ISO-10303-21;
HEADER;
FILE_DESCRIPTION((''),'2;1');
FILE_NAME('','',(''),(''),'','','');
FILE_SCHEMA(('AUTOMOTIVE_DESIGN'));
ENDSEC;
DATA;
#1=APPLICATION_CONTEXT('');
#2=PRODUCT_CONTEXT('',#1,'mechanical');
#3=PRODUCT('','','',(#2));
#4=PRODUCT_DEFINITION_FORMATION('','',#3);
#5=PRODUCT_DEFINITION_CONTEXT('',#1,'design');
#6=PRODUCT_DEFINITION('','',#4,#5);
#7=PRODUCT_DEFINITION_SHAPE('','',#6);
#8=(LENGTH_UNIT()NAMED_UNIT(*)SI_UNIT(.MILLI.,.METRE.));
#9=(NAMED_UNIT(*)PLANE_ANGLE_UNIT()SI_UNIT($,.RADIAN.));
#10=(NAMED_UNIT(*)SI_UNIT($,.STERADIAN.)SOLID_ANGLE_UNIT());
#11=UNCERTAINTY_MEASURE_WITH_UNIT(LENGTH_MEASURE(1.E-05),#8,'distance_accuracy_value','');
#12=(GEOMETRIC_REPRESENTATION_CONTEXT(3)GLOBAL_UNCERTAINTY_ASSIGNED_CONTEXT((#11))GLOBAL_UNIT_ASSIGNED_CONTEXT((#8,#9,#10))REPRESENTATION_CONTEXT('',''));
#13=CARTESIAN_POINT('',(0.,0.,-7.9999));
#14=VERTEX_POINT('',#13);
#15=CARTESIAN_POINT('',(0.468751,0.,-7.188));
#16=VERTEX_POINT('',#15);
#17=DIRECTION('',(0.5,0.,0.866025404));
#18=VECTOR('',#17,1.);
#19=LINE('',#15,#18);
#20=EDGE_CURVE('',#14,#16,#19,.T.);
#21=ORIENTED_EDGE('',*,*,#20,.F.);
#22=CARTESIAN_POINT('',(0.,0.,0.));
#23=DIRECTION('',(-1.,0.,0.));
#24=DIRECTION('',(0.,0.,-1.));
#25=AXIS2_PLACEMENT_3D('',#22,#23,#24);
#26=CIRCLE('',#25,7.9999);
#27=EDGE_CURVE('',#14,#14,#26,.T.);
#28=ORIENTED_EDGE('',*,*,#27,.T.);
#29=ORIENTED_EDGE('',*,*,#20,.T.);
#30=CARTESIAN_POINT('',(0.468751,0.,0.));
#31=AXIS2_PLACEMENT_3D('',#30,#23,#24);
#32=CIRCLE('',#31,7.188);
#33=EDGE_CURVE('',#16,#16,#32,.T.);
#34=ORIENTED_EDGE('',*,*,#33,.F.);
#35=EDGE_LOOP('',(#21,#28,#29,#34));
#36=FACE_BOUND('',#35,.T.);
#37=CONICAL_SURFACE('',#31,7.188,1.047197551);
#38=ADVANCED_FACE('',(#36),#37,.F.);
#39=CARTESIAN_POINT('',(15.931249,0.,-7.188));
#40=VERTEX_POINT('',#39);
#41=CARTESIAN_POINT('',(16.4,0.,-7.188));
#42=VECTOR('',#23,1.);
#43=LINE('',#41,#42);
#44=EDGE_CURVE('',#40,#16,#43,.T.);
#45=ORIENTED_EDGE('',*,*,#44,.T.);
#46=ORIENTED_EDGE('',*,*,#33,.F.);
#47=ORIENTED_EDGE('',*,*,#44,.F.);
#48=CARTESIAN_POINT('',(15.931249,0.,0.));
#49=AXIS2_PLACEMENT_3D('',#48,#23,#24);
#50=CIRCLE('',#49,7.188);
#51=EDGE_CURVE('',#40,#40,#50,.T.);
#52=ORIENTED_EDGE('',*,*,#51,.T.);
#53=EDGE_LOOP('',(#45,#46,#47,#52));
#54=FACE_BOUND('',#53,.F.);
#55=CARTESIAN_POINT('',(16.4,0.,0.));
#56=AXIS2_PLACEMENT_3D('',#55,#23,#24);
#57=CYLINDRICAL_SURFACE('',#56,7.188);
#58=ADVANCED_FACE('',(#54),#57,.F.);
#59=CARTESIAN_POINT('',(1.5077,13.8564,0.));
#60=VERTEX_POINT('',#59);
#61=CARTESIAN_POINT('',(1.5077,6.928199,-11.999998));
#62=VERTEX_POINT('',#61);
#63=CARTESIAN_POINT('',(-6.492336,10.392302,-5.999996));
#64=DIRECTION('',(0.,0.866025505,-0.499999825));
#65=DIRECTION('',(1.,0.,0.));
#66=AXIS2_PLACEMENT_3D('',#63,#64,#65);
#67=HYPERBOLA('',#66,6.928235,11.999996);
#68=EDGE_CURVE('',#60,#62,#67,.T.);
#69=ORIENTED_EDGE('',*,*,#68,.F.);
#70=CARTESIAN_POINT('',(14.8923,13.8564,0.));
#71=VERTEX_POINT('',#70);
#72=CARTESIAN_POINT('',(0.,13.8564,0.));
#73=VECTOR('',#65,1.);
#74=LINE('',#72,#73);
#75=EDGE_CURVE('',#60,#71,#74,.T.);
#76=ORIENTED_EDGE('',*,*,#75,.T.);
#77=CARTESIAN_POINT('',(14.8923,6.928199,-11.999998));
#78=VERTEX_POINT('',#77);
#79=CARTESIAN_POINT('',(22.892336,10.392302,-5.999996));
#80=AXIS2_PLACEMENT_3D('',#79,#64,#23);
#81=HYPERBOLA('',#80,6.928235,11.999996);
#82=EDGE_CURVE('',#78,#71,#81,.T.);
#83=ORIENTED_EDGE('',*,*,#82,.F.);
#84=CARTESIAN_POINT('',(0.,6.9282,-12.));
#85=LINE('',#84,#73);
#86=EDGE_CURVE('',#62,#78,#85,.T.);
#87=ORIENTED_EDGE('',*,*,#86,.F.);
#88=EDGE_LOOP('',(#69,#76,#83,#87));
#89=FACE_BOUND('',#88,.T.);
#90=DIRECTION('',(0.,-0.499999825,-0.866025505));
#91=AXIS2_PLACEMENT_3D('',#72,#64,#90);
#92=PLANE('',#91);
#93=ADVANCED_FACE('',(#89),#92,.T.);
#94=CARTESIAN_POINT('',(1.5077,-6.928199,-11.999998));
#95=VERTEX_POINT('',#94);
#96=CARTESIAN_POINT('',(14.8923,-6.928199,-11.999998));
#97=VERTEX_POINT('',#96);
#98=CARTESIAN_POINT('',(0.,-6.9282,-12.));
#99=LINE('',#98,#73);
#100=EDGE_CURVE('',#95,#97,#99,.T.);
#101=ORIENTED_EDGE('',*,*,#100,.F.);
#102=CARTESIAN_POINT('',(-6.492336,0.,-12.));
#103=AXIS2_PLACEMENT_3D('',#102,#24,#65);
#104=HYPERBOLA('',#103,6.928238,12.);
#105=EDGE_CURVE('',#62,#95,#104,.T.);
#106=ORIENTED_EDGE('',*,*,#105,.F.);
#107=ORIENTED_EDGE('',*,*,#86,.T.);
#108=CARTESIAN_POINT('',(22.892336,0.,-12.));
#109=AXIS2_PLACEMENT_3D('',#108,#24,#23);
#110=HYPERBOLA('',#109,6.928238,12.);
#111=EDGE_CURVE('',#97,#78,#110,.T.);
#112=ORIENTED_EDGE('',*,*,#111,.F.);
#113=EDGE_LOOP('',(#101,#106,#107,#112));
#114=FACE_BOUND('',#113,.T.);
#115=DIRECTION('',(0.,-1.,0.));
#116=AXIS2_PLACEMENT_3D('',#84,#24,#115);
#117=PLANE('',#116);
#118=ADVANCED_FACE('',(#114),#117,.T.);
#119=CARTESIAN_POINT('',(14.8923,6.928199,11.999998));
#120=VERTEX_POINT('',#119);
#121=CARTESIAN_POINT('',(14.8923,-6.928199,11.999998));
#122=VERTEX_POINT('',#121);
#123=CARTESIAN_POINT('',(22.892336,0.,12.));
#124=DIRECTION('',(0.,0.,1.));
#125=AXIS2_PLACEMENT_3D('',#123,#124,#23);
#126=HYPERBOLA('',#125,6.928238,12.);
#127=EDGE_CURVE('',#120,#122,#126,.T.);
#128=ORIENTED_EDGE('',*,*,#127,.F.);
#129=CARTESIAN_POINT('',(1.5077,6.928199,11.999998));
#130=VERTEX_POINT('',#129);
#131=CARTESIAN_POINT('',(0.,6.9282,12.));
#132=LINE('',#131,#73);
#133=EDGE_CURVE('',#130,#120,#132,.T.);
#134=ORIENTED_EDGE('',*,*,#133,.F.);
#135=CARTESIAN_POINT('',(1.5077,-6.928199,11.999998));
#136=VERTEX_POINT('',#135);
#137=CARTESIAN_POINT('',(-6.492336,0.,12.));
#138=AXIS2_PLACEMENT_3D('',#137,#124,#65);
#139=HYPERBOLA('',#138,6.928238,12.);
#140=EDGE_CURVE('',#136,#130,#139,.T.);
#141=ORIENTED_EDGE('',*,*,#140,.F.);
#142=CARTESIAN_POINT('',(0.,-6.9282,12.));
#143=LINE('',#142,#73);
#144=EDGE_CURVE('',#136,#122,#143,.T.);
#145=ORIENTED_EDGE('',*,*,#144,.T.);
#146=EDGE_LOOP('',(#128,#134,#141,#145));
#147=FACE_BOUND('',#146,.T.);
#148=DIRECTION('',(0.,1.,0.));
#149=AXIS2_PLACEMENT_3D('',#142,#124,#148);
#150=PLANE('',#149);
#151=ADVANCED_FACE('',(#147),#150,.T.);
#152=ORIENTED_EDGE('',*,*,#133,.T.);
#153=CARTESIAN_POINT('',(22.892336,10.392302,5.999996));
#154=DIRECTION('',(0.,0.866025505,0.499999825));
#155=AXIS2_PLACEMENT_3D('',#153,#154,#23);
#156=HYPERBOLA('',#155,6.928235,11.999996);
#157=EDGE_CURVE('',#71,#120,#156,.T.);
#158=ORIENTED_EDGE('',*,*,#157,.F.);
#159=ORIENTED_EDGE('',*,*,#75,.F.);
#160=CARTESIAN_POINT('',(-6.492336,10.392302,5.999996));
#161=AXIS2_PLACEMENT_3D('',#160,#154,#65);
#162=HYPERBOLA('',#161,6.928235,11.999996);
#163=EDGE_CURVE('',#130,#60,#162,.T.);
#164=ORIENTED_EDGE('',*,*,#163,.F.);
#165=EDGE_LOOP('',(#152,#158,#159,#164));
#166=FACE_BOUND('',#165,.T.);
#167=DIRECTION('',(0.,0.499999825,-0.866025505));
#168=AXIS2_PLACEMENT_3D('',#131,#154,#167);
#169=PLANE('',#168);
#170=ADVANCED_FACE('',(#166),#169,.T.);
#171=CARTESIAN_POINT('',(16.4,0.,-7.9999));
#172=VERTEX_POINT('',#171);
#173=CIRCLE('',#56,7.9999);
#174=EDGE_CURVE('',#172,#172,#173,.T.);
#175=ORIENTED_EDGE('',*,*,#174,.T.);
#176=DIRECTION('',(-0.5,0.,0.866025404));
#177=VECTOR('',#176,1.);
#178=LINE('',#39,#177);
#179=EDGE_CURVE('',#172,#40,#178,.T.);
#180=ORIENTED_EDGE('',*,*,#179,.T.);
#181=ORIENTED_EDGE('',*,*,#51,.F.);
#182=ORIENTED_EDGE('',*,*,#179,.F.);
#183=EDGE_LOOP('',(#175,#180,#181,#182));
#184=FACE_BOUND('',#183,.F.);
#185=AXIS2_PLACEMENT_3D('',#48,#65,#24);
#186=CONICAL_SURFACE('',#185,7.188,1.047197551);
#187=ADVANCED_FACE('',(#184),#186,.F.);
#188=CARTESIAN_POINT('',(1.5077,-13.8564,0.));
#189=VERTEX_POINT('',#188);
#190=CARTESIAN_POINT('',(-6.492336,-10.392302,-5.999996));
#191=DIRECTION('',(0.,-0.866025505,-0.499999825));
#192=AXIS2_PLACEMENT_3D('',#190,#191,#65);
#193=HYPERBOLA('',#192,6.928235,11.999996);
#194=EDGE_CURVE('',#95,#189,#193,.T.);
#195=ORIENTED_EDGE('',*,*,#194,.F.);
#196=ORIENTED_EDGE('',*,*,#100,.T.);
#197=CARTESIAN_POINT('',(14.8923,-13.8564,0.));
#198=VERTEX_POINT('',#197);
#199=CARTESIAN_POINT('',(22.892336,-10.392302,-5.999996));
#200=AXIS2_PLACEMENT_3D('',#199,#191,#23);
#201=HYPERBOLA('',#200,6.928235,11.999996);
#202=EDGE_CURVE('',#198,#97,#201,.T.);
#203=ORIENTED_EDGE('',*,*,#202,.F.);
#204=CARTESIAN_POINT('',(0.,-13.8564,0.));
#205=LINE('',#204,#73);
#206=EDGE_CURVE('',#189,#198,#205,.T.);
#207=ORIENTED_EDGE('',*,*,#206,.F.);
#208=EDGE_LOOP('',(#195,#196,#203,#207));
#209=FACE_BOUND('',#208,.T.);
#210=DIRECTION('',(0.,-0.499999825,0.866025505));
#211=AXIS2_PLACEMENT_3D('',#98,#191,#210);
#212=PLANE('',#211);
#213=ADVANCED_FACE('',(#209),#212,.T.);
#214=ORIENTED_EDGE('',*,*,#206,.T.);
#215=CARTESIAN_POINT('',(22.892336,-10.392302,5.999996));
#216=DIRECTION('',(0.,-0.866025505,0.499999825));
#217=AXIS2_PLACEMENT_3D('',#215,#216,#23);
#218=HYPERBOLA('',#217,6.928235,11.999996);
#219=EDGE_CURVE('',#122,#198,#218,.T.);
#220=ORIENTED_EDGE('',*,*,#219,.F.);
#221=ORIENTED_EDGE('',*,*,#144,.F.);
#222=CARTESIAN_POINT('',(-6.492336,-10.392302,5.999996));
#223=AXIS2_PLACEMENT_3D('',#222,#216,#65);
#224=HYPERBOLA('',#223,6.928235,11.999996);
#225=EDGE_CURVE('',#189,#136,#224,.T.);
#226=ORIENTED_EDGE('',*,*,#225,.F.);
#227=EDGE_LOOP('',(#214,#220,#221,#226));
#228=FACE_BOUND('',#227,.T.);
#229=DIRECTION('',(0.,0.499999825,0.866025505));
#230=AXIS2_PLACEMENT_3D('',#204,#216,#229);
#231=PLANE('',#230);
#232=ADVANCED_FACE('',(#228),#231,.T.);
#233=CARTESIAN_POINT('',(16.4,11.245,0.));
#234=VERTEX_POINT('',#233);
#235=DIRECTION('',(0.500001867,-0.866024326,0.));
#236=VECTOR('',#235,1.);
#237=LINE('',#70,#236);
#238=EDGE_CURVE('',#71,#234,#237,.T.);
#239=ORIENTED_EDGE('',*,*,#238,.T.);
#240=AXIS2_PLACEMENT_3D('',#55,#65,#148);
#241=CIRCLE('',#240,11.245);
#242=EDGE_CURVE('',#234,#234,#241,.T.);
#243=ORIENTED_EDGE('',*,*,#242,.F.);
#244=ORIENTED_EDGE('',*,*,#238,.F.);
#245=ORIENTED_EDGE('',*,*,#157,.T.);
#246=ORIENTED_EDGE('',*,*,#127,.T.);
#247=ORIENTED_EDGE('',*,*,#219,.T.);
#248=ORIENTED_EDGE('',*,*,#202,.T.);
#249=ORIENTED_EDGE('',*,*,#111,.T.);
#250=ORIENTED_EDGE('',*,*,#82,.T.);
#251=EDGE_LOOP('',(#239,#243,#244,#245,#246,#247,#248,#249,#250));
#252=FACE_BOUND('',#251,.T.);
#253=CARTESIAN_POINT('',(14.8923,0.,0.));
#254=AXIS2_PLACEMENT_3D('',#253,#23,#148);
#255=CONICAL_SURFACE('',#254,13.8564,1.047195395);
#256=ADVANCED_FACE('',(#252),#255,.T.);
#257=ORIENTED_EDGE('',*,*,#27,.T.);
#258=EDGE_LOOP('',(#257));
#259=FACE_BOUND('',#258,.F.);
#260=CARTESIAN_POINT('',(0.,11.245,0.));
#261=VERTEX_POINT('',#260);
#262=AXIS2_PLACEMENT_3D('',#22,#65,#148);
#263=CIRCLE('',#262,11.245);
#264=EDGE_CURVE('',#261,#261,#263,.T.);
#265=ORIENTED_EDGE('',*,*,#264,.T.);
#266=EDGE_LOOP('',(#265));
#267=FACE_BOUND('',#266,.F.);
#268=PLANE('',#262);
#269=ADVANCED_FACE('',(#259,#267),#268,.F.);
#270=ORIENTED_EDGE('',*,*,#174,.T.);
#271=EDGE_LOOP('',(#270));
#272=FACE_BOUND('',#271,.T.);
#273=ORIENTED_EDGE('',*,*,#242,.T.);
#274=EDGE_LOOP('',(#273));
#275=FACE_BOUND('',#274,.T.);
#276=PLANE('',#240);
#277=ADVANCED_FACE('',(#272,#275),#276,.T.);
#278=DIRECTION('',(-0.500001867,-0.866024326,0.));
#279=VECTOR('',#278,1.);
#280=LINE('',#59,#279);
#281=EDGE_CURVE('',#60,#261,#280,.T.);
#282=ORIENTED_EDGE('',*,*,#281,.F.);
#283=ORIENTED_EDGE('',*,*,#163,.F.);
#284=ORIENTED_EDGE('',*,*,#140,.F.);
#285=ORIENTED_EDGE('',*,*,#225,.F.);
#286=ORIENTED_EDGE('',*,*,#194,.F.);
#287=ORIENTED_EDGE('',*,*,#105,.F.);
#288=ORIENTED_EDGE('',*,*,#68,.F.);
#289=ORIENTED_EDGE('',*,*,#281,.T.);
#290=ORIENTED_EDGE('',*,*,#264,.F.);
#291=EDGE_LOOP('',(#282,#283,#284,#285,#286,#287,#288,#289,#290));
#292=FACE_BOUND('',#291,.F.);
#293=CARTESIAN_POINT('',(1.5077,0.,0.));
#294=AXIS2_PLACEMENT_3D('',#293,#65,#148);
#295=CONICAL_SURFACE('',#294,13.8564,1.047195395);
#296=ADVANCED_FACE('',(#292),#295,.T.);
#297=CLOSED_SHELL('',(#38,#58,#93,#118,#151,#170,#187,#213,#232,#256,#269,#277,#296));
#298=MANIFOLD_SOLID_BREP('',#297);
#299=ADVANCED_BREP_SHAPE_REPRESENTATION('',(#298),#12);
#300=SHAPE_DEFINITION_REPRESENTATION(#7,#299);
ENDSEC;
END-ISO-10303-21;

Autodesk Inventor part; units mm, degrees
ref_plane "YZ Plane" through (0, 0, 0) normal (1, 0, 0) x (0, 1, 0)
ref_plane "XZ Plane" through (0, 0, 0) normal (0, 1, 0) x (-1, 0, 0)
sketch "Sketch1" plane through (0, 0, 0) normal (1, 0, 0) x (0, 1, 0)
  line L0 (-13.8564, 0) -> (-6.9282, 12)
  line L1 (-6.9282, 12) -> (6.9282, 12)
  line L2 (6.9282, 12) -> (13.8564, 0)
  line L3 (13.8564, 0) -> (6.9282, -12)
  line L4 (6.9282, -12) -> (-6.9282, -12)
  line L5 (-6.9282, -12) -> (-13.8564, 0)
  point P0 (0, 0)
  point P1 (0, 0)
  dimension "d0" = 27.7128
extrude "Body" add sketch "Sketch1" along normal blind 16.4
sketch "Sketch2" plane through (0, 0, 0) normal (0, 0, 1) x (1, 0, 0)
  line L0 (0, 6.9282) -> (0, 13.8564) projected
  line L1 (0, 13.8564) -> (16.4, 13.8564) projected
  line L2 (16.4, 6.9282) -> (16.4, 13.8564) projected
  line L3 (-3.28, 0) -> (19.68, 0) projected
  line L4 (1.5077, 13.8564) -> (0, 11.245)
  line L5 (14.8923, 13.8564) -> (16.4, 11.245)
  dimension "d3" = 30
  dimension "d4" = 30
  dimension "d5" = 22.49
  dimension "d6" = 22.49
revolve "Chamfer1" cut sketch "Sketch2" angle 360 about axis through (-10, 0, 0) along (1, 0, 0)
sketch "Sketch3" plane through (16.4, 0, 0) normal (1, 0, 0) x (0, 0, -1)
  arc A0 (-0.625, -1.0825) -> (0.625, -1.0825) centre (0, 0) ccw projected
hole "Thread" at (16.4, 0, 0) direction (-1, 0, 0) diameter 14.376 end through all thread size "M16x1.5" class "6H" standard "ISO Metric profile"
chamfer "Chamfer2" distance 0.8119 angle 30 1 edges at (16.4, 0, 7.188) measured on face at (16.4, 9.7663, -1.1858)
chamfer "Chamfer3" distance 0.8119 angle 30 1 edges at (0, 0, 7.188) measured on face at (0, 9.7663, -1.1858)
ref_plane "Work Plane1" through (-24.1737, 0, 0) normal (0, -0.866, -0.5) x (1, 0, 0)
equation "\"d0\" = 1.1547 * SW"
equation "\"d1\" = KOH"
equation "\"d8\" = -0.5 * GD1 + 0.5 * NND"
equation "\"d40\" = -0.5 * GD1 + 0.5 * NND"
equation "\"d10\" = -0.5 * GD1 + 0.5 * NND"
equation "\"d41\" = -0.5 * GD1 + 0.5 * NND"
equation "\"d3\" = ANG1"
equation "\"d4\" = ANG2"
equation "\"d5\" = SW0"
equation "\"d6\" = SW01"
equation "\"ANG1\" = 30deg"
equation "\"ANG2\" = 30deg"
equation "\"NND\" = 16"
equation "\"KOH\" = 16.4"
equation "\"SW\" = 24"
equation "\"SW0\" = 22.49"
equation "\"SW01\" = SW0"
equation "\"GUL\" = 0.541266 * PTC"
equation "\"THREADDIA\" = 16"
equation "\"TOA\" = 30deg"
equation "\"PTC\" = 1.5"
equation "\"E0\" = 26.75"
equation "\"GAL\" = 0.541266 * PTC"
equation "\"KOH1\" = 12.56"
equation "\"GD1\" = 14.376202"
properties part number "ISO 8674 - M16 x 1,5" material "Steel"
